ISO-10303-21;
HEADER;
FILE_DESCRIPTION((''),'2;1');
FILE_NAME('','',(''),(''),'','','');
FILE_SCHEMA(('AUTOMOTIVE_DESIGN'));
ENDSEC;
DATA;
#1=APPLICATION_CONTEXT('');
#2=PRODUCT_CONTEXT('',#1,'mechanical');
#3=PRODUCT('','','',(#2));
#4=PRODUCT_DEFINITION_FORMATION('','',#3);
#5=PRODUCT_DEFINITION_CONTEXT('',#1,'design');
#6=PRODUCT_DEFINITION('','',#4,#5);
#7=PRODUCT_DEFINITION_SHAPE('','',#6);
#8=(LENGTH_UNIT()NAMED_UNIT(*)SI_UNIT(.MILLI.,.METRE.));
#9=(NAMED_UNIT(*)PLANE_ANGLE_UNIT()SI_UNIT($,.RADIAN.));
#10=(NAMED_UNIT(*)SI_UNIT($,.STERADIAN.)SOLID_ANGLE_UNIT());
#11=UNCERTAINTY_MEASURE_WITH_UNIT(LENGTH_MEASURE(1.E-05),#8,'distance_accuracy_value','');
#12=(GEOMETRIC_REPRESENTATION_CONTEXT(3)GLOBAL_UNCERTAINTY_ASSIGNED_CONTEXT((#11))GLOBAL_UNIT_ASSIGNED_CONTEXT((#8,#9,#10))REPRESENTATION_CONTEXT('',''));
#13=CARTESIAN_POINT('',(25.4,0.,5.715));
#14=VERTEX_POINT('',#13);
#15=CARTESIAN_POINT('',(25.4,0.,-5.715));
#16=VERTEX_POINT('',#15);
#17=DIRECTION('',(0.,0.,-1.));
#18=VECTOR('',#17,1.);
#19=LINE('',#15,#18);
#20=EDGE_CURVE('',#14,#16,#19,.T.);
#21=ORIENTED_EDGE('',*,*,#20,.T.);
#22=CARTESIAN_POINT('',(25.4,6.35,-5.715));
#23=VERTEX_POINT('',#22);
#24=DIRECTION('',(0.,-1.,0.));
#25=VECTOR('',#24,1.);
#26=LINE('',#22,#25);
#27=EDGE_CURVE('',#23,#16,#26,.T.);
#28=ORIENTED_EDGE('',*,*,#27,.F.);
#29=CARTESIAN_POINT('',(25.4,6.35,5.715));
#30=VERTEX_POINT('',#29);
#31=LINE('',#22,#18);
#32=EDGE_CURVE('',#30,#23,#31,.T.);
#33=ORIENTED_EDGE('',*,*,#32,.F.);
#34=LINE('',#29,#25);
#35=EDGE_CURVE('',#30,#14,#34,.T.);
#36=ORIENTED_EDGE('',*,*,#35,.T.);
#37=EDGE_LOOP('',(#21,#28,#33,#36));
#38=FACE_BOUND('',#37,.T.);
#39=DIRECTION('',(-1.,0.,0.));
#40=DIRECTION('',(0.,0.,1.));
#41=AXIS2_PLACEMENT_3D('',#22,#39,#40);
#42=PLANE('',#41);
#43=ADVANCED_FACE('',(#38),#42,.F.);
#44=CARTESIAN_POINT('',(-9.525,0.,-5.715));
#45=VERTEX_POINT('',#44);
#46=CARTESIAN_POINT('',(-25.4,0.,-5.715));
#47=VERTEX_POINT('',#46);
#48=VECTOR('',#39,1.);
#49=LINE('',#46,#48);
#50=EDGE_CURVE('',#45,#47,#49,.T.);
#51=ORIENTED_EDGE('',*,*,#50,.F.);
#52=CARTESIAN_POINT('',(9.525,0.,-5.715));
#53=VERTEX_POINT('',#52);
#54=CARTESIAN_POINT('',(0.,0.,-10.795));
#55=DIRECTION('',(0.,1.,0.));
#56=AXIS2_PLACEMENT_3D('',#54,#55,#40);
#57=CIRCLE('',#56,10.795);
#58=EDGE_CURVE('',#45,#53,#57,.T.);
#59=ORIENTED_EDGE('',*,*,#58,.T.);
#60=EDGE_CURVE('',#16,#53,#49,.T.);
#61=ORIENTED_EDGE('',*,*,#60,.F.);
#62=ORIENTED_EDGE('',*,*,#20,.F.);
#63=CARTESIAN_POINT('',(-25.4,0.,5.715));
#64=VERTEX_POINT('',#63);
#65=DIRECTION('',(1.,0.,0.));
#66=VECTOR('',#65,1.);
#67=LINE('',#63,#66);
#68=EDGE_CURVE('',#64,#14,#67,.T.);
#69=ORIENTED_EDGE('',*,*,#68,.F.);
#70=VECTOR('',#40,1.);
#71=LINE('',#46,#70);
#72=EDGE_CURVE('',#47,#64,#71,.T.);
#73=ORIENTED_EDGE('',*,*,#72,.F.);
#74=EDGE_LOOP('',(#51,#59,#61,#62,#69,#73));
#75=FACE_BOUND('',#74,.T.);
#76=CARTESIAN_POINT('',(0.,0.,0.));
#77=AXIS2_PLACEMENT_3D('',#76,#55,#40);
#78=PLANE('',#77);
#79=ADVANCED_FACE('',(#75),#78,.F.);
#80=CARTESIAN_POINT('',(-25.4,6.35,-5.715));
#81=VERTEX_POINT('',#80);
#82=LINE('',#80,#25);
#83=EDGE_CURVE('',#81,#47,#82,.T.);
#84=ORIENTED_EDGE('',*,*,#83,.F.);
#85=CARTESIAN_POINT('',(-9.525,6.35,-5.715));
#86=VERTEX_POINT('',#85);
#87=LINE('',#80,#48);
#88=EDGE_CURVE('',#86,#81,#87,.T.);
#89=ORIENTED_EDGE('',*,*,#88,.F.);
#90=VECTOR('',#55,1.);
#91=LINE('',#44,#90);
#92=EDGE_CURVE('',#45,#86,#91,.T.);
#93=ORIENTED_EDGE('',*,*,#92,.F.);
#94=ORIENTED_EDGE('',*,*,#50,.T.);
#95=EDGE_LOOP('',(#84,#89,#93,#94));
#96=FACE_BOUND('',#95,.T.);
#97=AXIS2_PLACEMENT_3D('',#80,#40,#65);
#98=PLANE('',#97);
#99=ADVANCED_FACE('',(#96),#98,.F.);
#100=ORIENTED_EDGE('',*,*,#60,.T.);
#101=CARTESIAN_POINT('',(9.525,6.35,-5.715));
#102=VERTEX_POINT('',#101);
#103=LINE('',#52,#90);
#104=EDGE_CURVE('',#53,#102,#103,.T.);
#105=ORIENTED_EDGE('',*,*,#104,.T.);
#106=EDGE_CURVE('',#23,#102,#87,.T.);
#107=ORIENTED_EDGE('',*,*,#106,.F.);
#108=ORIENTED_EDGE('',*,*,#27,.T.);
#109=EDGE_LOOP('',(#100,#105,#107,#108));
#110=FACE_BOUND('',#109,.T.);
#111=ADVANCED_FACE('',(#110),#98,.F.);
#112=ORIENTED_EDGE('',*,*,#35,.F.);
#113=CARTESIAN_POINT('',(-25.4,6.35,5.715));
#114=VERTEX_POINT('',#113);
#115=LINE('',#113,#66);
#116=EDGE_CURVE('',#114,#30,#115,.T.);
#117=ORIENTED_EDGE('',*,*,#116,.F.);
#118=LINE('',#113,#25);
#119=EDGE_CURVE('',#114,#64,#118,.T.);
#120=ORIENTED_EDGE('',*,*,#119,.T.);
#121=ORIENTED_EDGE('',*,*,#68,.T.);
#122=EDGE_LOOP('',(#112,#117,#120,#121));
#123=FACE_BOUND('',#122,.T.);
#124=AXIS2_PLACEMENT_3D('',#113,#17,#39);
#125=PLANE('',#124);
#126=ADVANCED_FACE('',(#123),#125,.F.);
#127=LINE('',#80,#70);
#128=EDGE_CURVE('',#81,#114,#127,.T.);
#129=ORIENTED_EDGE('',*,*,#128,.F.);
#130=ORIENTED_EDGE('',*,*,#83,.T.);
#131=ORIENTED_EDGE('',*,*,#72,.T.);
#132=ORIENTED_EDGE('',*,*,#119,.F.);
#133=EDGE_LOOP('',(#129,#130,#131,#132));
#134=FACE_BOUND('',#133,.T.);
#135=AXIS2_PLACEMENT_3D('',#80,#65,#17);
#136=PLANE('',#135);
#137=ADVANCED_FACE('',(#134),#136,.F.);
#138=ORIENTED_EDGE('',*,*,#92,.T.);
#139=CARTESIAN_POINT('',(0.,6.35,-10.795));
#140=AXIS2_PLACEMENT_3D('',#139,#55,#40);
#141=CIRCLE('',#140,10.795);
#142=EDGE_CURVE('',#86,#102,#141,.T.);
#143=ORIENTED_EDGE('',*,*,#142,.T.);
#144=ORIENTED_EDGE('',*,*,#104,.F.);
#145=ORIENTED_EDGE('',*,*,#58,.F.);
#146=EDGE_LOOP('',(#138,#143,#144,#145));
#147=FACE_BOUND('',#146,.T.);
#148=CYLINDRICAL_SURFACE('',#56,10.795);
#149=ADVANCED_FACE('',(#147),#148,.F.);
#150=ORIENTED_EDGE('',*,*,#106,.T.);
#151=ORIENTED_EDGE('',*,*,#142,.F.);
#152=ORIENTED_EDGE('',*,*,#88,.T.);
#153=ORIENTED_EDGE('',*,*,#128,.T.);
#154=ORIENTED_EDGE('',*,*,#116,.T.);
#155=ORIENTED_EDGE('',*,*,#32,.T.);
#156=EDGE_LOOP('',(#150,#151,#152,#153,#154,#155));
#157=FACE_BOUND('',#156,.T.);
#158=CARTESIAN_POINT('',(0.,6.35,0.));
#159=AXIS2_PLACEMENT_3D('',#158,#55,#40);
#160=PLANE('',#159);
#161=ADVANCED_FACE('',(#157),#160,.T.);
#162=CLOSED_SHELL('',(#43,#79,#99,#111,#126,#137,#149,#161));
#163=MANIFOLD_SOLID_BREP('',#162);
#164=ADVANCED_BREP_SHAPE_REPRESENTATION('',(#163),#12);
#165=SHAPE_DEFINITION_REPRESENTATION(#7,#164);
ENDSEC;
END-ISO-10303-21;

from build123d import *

# Parameters (mm, degrees)
SKETCH1_W           = 50.8
SKETCH1_H           = 11.43
BOSS_EXTRUDE1_DEPTH = 6.35
CUT_EXTRUDE1_DEPTH  = 7.35


with BuildPart() as part:
    # Sketch1 → Boss-Extrude1 (new body)
    with BuildSketch(Plane(origin=(0, 0, 0), x_dir=(1, 0, 0), z_dir=(0, 1, 0))):
        Rectangle(SKETCH1_W, SKETCH1_H)
    extrude(amount=BOSS_EXTRUDE1_DEPTH)

    # Sketch2 → Cut-Extrude1 (cut, through all)
    with BuildSketch(Plane(origin=(0, 6.35, 0), x_dir=(1, 0, 0), z_dir=(0, 1, 0))):
        with BuildLine():
            Line((-9.525, 5.715), (9.525, 5.715))
            ThreePointArc((9.525, 5.715), (0, 0), (-9.525, 5.715))
        make_face()
    extrude(amount=-CUT_EXTRUDE1_DEPTH, mode=Mode.SUBTRACT)


solid = part.part
